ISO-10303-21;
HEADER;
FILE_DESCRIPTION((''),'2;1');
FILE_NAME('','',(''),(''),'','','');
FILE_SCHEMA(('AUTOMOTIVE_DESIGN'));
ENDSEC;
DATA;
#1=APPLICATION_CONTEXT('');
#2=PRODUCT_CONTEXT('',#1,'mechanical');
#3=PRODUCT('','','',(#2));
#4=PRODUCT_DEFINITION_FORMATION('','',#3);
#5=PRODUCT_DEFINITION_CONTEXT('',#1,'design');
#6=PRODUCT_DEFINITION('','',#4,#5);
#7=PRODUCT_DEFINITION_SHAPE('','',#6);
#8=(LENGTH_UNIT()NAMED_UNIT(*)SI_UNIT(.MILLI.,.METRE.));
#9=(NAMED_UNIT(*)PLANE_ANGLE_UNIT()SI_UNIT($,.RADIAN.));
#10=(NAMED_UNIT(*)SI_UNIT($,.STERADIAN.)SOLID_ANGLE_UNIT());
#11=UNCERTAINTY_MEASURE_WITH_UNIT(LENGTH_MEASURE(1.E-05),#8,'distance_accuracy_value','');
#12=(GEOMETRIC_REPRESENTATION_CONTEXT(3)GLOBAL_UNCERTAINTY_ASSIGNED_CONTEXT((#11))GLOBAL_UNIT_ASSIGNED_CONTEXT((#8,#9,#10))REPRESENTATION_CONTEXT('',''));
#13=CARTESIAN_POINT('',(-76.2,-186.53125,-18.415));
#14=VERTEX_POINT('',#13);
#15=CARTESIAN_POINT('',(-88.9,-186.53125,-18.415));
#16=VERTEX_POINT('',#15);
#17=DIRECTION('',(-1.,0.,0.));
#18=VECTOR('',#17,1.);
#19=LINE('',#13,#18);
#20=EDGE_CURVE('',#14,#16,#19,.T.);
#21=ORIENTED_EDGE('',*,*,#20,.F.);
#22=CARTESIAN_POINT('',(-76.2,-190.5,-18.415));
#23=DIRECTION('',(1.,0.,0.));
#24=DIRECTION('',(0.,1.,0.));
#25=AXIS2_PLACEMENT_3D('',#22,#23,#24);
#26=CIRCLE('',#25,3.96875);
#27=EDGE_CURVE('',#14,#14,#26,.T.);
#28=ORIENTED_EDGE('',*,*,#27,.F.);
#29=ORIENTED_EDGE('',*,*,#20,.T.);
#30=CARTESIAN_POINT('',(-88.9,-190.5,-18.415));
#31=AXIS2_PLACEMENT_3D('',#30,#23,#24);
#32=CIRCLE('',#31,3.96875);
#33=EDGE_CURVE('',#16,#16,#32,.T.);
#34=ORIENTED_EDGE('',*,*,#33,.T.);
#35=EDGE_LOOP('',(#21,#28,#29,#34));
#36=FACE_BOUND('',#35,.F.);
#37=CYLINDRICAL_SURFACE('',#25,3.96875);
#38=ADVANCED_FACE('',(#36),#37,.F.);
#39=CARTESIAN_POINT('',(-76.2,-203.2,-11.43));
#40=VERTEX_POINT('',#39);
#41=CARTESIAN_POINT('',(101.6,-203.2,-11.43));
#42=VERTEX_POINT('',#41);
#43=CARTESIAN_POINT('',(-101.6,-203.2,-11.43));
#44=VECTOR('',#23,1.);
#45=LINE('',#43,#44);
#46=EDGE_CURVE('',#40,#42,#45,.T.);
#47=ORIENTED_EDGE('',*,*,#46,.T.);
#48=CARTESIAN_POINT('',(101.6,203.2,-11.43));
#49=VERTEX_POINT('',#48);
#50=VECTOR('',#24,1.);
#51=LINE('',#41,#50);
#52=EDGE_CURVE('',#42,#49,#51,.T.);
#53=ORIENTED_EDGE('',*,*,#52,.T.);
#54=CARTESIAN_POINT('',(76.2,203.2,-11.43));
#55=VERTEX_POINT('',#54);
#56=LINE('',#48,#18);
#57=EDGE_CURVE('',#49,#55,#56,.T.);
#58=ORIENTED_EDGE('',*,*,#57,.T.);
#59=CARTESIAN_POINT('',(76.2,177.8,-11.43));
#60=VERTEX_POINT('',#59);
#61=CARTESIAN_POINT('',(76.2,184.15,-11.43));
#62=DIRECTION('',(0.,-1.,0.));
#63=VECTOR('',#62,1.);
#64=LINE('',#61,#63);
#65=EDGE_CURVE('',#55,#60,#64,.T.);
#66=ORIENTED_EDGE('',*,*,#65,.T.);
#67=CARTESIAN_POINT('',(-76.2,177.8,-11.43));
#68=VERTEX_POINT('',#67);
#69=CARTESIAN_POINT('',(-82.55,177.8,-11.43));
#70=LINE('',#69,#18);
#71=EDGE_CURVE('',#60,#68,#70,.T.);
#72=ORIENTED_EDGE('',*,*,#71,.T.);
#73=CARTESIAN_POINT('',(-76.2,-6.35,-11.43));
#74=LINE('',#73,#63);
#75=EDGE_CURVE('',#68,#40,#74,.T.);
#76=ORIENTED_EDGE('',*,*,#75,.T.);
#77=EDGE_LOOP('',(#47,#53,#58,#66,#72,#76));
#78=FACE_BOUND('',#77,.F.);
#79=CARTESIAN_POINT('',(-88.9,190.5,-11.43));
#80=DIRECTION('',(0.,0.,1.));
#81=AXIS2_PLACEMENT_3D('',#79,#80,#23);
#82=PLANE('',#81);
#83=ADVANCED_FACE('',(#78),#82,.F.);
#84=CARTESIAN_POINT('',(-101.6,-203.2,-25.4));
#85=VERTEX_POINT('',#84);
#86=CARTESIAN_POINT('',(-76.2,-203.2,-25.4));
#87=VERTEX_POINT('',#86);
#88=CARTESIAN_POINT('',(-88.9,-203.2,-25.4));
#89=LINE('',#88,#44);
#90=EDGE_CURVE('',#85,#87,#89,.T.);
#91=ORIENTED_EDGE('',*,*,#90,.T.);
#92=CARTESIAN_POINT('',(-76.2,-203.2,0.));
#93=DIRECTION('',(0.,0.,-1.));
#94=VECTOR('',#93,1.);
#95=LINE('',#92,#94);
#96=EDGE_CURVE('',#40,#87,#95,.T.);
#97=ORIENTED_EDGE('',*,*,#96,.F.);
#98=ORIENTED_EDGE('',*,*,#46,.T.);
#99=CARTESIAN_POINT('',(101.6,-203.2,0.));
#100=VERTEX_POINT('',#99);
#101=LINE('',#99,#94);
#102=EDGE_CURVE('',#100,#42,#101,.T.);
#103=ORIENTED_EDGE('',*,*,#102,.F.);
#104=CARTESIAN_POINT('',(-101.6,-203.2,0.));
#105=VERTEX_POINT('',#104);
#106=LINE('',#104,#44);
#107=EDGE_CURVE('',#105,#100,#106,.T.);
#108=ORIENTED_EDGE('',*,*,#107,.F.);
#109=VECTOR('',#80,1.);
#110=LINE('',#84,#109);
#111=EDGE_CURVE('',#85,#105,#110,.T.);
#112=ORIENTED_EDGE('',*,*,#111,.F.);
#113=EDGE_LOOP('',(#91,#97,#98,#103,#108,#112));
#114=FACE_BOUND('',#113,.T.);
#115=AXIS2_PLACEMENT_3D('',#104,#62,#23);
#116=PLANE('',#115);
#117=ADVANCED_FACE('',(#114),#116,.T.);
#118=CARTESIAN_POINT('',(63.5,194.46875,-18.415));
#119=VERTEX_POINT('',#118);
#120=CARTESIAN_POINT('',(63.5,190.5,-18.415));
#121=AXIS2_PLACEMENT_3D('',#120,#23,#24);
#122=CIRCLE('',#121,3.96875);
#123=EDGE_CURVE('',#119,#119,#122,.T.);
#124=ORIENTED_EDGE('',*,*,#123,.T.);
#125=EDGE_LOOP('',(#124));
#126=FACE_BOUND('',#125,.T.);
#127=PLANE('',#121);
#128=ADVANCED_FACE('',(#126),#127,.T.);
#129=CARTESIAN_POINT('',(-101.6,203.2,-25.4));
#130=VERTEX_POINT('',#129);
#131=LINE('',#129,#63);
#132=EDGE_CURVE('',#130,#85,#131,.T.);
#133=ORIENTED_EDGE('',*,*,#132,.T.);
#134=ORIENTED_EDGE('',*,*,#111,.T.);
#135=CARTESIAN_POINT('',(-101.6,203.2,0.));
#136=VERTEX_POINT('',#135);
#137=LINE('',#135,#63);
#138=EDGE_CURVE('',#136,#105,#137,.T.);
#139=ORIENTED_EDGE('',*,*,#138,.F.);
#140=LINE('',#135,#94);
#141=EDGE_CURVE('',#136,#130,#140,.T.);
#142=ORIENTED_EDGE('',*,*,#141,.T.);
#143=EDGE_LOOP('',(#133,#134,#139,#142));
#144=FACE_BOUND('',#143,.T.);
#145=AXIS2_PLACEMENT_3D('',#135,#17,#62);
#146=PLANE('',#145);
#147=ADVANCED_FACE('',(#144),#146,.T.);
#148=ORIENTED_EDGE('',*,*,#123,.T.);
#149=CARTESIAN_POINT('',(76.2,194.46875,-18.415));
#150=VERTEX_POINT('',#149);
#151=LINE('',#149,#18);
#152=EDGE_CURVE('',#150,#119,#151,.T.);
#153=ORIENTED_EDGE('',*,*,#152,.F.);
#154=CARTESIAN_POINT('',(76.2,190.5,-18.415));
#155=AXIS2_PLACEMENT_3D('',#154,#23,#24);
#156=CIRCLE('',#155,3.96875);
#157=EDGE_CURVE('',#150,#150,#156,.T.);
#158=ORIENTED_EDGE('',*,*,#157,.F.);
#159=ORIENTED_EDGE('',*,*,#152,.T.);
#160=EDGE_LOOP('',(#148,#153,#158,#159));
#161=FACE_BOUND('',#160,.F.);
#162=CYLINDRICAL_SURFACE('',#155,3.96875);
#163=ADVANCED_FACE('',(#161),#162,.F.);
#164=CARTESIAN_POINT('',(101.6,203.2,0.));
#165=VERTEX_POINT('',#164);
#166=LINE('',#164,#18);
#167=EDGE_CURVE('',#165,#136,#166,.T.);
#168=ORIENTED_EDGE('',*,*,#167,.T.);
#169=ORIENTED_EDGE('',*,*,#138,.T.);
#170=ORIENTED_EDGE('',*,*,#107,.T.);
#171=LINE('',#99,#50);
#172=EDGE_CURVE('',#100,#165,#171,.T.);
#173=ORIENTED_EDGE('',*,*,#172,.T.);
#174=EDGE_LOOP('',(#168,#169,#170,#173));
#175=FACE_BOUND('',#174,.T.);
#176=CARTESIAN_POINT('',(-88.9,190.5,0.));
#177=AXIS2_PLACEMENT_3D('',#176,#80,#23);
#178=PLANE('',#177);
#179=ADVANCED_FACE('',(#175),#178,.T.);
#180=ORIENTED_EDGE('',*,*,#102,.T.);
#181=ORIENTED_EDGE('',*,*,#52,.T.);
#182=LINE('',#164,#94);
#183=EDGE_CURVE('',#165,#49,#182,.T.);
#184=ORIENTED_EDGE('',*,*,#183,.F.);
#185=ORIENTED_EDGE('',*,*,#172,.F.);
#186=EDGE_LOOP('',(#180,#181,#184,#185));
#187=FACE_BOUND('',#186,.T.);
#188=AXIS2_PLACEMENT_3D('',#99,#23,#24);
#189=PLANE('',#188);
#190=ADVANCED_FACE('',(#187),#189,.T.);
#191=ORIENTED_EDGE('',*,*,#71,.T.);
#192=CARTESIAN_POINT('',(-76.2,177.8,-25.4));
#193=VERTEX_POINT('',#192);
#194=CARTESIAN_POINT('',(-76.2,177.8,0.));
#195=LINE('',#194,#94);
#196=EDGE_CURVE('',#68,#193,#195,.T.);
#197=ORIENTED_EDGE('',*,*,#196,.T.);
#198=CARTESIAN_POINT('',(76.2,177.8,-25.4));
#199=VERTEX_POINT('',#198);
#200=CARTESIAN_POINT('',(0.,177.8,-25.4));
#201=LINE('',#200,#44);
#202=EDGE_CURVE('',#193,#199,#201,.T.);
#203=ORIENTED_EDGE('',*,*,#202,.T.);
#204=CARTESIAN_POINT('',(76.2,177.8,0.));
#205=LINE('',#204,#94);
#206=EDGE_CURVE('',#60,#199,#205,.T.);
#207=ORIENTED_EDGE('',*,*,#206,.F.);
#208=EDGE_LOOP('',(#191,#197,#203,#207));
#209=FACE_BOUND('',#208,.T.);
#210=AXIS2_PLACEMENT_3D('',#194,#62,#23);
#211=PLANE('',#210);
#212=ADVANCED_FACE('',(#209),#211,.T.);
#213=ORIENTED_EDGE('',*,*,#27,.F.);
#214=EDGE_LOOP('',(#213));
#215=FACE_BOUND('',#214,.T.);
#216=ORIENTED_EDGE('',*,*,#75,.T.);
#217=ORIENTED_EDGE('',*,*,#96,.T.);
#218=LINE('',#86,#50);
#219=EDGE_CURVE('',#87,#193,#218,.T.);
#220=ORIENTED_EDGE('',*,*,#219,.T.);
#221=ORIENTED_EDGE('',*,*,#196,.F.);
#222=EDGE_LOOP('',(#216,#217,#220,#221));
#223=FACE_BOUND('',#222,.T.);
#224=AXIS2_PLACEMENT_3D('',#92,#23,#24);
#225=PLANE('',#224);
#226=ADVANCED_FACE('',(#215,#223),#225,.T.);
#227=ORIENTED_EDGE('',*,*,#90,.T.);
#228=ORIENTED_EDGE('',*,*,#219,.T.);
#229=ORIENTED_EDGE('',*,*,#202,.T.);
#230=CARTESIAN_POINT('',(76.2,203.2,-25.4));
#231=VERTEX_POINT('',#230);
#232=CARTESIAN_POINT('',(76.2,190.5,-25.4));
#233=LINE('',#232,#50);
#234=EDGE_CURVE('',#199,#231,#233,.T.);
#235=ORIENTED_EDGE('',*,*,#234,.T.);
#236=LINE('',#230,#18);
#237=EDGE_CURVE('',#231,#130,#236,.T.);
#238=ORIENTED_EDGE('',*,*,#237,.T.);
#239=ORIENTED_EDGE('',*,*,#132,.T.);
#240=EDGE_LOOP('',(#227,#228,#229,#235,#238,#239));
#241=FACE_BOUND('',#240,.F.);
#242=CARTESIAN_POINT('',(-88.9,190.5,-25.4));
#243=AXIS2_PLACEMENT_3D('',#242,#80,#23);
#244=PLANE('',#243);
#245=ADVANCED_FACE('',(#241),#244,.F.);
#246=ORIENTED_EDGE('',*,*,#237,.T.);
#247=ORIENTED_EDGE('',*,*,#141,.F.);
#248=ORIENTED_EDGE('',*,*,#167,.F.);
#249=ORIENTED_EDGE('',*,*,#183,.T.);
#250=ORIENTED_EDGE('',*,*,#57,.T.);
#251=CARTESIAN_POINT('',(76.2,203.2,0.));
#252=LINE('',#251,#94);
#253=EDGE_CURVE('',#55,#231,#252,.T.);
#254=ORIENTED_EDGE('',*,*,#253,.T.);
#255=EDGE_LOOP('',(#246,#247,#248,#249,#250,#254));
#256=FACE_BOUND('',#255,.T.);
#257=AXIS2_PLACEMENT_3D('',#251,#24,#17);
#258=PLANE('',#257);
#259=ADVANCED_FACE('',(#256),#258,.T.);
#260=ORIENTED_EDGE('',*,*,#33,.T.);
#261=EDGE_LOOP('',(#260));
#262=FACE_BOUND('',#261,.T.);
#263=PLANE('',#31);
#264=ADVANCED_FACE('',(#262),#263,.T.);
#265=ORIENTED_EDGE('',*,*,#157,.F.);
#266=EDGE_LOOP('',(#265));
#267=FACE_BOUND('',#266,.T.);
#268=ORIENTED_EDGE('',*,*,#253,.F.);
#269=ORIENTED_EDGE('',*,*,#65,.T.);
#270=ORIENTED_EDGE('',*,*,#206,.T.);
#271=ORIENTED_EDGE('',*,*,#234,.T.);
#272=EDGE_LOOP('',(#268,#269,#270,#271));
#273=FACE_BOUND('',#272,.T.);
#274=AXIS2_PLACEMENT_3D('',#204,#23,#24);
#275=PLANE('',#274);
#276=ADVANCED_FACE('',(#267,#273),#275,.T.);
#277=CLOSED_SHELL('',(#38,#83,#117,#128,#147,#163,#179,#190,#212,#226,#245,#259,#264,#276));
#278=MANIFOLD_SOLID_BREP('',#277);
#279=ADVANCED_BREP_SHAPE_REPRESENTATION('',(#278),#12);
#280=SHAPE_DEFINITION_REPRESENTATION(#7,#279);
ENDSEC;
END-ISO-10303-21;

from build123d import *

# Parameters (mm, degrees)
F0_W     = 25.4
F0_H     = 25.4
F0_H_2   = 381
F0_W_2   = 152.4
F1_DEPTH = 25.4
F2_DEPTH = 11.43
F4_R     = 3.96875
F5_DEPTH = 12.7
F3_R     = 3.96875
F6_DEPTH = 12.7


with BuildPart() as f1:
    # F0 (on Top) → F1 (new body)
    with BuildSketch(Plane.XY):
        with Locations((-88.9, 190.5)):
            Rectangle(F0_W, F0_H)
        with Locations((-88.9, -12.7)):
            Rectangle(F0_W, F0_H_2)
        with Locations((0, 190.5)):
            Rectangle(F0_W_2, F0_H)
    extrude(amount=-F1_DEPTH)

    # F0 (on Top) → F2 (join)
    with BuildSketch(Plane.XY):
        with Locations((-88.9, 190.5)):
            Rectangle(F0_W, F0_H)
        with Locations((-88.9, -12.7)):
            Rectangle(F0_W, F0_H_2)
        with Locations((0, 190.5)):
            Rectangle(F0_W_2, F0_H)
        Polygon((101.6, -203.2), (101.6, 177.8), (76.2, 177.8), (-76.2, 177.8), (-76.2, -203.2), align=None)
        with Locations((88.9, 190.5)):
            Rectangle(F0_W, F0_H)
    extrude(amount=-F2_DEPTH)

    # F4 (on face) → F5 (cut)
    with BuildSketch(Plane.YZ.offset(76.2)):
        with Locations((190.5, -18.415)):
            Circle(F4_R)
    extrude(amount=-F5_DEPTH, mode=Mode.SUBTRACT)

    # F3 (on face) → F6 (cut)
    with BuildSketch(Plane.YZ.offset(-76.2)):
        with Locations((-190.5, -18.415)):
            Circle(F3_R)
    extrude(amount=-F6_DEPTH, mode=Mode.SUBTRACT)


solid = f1.part
